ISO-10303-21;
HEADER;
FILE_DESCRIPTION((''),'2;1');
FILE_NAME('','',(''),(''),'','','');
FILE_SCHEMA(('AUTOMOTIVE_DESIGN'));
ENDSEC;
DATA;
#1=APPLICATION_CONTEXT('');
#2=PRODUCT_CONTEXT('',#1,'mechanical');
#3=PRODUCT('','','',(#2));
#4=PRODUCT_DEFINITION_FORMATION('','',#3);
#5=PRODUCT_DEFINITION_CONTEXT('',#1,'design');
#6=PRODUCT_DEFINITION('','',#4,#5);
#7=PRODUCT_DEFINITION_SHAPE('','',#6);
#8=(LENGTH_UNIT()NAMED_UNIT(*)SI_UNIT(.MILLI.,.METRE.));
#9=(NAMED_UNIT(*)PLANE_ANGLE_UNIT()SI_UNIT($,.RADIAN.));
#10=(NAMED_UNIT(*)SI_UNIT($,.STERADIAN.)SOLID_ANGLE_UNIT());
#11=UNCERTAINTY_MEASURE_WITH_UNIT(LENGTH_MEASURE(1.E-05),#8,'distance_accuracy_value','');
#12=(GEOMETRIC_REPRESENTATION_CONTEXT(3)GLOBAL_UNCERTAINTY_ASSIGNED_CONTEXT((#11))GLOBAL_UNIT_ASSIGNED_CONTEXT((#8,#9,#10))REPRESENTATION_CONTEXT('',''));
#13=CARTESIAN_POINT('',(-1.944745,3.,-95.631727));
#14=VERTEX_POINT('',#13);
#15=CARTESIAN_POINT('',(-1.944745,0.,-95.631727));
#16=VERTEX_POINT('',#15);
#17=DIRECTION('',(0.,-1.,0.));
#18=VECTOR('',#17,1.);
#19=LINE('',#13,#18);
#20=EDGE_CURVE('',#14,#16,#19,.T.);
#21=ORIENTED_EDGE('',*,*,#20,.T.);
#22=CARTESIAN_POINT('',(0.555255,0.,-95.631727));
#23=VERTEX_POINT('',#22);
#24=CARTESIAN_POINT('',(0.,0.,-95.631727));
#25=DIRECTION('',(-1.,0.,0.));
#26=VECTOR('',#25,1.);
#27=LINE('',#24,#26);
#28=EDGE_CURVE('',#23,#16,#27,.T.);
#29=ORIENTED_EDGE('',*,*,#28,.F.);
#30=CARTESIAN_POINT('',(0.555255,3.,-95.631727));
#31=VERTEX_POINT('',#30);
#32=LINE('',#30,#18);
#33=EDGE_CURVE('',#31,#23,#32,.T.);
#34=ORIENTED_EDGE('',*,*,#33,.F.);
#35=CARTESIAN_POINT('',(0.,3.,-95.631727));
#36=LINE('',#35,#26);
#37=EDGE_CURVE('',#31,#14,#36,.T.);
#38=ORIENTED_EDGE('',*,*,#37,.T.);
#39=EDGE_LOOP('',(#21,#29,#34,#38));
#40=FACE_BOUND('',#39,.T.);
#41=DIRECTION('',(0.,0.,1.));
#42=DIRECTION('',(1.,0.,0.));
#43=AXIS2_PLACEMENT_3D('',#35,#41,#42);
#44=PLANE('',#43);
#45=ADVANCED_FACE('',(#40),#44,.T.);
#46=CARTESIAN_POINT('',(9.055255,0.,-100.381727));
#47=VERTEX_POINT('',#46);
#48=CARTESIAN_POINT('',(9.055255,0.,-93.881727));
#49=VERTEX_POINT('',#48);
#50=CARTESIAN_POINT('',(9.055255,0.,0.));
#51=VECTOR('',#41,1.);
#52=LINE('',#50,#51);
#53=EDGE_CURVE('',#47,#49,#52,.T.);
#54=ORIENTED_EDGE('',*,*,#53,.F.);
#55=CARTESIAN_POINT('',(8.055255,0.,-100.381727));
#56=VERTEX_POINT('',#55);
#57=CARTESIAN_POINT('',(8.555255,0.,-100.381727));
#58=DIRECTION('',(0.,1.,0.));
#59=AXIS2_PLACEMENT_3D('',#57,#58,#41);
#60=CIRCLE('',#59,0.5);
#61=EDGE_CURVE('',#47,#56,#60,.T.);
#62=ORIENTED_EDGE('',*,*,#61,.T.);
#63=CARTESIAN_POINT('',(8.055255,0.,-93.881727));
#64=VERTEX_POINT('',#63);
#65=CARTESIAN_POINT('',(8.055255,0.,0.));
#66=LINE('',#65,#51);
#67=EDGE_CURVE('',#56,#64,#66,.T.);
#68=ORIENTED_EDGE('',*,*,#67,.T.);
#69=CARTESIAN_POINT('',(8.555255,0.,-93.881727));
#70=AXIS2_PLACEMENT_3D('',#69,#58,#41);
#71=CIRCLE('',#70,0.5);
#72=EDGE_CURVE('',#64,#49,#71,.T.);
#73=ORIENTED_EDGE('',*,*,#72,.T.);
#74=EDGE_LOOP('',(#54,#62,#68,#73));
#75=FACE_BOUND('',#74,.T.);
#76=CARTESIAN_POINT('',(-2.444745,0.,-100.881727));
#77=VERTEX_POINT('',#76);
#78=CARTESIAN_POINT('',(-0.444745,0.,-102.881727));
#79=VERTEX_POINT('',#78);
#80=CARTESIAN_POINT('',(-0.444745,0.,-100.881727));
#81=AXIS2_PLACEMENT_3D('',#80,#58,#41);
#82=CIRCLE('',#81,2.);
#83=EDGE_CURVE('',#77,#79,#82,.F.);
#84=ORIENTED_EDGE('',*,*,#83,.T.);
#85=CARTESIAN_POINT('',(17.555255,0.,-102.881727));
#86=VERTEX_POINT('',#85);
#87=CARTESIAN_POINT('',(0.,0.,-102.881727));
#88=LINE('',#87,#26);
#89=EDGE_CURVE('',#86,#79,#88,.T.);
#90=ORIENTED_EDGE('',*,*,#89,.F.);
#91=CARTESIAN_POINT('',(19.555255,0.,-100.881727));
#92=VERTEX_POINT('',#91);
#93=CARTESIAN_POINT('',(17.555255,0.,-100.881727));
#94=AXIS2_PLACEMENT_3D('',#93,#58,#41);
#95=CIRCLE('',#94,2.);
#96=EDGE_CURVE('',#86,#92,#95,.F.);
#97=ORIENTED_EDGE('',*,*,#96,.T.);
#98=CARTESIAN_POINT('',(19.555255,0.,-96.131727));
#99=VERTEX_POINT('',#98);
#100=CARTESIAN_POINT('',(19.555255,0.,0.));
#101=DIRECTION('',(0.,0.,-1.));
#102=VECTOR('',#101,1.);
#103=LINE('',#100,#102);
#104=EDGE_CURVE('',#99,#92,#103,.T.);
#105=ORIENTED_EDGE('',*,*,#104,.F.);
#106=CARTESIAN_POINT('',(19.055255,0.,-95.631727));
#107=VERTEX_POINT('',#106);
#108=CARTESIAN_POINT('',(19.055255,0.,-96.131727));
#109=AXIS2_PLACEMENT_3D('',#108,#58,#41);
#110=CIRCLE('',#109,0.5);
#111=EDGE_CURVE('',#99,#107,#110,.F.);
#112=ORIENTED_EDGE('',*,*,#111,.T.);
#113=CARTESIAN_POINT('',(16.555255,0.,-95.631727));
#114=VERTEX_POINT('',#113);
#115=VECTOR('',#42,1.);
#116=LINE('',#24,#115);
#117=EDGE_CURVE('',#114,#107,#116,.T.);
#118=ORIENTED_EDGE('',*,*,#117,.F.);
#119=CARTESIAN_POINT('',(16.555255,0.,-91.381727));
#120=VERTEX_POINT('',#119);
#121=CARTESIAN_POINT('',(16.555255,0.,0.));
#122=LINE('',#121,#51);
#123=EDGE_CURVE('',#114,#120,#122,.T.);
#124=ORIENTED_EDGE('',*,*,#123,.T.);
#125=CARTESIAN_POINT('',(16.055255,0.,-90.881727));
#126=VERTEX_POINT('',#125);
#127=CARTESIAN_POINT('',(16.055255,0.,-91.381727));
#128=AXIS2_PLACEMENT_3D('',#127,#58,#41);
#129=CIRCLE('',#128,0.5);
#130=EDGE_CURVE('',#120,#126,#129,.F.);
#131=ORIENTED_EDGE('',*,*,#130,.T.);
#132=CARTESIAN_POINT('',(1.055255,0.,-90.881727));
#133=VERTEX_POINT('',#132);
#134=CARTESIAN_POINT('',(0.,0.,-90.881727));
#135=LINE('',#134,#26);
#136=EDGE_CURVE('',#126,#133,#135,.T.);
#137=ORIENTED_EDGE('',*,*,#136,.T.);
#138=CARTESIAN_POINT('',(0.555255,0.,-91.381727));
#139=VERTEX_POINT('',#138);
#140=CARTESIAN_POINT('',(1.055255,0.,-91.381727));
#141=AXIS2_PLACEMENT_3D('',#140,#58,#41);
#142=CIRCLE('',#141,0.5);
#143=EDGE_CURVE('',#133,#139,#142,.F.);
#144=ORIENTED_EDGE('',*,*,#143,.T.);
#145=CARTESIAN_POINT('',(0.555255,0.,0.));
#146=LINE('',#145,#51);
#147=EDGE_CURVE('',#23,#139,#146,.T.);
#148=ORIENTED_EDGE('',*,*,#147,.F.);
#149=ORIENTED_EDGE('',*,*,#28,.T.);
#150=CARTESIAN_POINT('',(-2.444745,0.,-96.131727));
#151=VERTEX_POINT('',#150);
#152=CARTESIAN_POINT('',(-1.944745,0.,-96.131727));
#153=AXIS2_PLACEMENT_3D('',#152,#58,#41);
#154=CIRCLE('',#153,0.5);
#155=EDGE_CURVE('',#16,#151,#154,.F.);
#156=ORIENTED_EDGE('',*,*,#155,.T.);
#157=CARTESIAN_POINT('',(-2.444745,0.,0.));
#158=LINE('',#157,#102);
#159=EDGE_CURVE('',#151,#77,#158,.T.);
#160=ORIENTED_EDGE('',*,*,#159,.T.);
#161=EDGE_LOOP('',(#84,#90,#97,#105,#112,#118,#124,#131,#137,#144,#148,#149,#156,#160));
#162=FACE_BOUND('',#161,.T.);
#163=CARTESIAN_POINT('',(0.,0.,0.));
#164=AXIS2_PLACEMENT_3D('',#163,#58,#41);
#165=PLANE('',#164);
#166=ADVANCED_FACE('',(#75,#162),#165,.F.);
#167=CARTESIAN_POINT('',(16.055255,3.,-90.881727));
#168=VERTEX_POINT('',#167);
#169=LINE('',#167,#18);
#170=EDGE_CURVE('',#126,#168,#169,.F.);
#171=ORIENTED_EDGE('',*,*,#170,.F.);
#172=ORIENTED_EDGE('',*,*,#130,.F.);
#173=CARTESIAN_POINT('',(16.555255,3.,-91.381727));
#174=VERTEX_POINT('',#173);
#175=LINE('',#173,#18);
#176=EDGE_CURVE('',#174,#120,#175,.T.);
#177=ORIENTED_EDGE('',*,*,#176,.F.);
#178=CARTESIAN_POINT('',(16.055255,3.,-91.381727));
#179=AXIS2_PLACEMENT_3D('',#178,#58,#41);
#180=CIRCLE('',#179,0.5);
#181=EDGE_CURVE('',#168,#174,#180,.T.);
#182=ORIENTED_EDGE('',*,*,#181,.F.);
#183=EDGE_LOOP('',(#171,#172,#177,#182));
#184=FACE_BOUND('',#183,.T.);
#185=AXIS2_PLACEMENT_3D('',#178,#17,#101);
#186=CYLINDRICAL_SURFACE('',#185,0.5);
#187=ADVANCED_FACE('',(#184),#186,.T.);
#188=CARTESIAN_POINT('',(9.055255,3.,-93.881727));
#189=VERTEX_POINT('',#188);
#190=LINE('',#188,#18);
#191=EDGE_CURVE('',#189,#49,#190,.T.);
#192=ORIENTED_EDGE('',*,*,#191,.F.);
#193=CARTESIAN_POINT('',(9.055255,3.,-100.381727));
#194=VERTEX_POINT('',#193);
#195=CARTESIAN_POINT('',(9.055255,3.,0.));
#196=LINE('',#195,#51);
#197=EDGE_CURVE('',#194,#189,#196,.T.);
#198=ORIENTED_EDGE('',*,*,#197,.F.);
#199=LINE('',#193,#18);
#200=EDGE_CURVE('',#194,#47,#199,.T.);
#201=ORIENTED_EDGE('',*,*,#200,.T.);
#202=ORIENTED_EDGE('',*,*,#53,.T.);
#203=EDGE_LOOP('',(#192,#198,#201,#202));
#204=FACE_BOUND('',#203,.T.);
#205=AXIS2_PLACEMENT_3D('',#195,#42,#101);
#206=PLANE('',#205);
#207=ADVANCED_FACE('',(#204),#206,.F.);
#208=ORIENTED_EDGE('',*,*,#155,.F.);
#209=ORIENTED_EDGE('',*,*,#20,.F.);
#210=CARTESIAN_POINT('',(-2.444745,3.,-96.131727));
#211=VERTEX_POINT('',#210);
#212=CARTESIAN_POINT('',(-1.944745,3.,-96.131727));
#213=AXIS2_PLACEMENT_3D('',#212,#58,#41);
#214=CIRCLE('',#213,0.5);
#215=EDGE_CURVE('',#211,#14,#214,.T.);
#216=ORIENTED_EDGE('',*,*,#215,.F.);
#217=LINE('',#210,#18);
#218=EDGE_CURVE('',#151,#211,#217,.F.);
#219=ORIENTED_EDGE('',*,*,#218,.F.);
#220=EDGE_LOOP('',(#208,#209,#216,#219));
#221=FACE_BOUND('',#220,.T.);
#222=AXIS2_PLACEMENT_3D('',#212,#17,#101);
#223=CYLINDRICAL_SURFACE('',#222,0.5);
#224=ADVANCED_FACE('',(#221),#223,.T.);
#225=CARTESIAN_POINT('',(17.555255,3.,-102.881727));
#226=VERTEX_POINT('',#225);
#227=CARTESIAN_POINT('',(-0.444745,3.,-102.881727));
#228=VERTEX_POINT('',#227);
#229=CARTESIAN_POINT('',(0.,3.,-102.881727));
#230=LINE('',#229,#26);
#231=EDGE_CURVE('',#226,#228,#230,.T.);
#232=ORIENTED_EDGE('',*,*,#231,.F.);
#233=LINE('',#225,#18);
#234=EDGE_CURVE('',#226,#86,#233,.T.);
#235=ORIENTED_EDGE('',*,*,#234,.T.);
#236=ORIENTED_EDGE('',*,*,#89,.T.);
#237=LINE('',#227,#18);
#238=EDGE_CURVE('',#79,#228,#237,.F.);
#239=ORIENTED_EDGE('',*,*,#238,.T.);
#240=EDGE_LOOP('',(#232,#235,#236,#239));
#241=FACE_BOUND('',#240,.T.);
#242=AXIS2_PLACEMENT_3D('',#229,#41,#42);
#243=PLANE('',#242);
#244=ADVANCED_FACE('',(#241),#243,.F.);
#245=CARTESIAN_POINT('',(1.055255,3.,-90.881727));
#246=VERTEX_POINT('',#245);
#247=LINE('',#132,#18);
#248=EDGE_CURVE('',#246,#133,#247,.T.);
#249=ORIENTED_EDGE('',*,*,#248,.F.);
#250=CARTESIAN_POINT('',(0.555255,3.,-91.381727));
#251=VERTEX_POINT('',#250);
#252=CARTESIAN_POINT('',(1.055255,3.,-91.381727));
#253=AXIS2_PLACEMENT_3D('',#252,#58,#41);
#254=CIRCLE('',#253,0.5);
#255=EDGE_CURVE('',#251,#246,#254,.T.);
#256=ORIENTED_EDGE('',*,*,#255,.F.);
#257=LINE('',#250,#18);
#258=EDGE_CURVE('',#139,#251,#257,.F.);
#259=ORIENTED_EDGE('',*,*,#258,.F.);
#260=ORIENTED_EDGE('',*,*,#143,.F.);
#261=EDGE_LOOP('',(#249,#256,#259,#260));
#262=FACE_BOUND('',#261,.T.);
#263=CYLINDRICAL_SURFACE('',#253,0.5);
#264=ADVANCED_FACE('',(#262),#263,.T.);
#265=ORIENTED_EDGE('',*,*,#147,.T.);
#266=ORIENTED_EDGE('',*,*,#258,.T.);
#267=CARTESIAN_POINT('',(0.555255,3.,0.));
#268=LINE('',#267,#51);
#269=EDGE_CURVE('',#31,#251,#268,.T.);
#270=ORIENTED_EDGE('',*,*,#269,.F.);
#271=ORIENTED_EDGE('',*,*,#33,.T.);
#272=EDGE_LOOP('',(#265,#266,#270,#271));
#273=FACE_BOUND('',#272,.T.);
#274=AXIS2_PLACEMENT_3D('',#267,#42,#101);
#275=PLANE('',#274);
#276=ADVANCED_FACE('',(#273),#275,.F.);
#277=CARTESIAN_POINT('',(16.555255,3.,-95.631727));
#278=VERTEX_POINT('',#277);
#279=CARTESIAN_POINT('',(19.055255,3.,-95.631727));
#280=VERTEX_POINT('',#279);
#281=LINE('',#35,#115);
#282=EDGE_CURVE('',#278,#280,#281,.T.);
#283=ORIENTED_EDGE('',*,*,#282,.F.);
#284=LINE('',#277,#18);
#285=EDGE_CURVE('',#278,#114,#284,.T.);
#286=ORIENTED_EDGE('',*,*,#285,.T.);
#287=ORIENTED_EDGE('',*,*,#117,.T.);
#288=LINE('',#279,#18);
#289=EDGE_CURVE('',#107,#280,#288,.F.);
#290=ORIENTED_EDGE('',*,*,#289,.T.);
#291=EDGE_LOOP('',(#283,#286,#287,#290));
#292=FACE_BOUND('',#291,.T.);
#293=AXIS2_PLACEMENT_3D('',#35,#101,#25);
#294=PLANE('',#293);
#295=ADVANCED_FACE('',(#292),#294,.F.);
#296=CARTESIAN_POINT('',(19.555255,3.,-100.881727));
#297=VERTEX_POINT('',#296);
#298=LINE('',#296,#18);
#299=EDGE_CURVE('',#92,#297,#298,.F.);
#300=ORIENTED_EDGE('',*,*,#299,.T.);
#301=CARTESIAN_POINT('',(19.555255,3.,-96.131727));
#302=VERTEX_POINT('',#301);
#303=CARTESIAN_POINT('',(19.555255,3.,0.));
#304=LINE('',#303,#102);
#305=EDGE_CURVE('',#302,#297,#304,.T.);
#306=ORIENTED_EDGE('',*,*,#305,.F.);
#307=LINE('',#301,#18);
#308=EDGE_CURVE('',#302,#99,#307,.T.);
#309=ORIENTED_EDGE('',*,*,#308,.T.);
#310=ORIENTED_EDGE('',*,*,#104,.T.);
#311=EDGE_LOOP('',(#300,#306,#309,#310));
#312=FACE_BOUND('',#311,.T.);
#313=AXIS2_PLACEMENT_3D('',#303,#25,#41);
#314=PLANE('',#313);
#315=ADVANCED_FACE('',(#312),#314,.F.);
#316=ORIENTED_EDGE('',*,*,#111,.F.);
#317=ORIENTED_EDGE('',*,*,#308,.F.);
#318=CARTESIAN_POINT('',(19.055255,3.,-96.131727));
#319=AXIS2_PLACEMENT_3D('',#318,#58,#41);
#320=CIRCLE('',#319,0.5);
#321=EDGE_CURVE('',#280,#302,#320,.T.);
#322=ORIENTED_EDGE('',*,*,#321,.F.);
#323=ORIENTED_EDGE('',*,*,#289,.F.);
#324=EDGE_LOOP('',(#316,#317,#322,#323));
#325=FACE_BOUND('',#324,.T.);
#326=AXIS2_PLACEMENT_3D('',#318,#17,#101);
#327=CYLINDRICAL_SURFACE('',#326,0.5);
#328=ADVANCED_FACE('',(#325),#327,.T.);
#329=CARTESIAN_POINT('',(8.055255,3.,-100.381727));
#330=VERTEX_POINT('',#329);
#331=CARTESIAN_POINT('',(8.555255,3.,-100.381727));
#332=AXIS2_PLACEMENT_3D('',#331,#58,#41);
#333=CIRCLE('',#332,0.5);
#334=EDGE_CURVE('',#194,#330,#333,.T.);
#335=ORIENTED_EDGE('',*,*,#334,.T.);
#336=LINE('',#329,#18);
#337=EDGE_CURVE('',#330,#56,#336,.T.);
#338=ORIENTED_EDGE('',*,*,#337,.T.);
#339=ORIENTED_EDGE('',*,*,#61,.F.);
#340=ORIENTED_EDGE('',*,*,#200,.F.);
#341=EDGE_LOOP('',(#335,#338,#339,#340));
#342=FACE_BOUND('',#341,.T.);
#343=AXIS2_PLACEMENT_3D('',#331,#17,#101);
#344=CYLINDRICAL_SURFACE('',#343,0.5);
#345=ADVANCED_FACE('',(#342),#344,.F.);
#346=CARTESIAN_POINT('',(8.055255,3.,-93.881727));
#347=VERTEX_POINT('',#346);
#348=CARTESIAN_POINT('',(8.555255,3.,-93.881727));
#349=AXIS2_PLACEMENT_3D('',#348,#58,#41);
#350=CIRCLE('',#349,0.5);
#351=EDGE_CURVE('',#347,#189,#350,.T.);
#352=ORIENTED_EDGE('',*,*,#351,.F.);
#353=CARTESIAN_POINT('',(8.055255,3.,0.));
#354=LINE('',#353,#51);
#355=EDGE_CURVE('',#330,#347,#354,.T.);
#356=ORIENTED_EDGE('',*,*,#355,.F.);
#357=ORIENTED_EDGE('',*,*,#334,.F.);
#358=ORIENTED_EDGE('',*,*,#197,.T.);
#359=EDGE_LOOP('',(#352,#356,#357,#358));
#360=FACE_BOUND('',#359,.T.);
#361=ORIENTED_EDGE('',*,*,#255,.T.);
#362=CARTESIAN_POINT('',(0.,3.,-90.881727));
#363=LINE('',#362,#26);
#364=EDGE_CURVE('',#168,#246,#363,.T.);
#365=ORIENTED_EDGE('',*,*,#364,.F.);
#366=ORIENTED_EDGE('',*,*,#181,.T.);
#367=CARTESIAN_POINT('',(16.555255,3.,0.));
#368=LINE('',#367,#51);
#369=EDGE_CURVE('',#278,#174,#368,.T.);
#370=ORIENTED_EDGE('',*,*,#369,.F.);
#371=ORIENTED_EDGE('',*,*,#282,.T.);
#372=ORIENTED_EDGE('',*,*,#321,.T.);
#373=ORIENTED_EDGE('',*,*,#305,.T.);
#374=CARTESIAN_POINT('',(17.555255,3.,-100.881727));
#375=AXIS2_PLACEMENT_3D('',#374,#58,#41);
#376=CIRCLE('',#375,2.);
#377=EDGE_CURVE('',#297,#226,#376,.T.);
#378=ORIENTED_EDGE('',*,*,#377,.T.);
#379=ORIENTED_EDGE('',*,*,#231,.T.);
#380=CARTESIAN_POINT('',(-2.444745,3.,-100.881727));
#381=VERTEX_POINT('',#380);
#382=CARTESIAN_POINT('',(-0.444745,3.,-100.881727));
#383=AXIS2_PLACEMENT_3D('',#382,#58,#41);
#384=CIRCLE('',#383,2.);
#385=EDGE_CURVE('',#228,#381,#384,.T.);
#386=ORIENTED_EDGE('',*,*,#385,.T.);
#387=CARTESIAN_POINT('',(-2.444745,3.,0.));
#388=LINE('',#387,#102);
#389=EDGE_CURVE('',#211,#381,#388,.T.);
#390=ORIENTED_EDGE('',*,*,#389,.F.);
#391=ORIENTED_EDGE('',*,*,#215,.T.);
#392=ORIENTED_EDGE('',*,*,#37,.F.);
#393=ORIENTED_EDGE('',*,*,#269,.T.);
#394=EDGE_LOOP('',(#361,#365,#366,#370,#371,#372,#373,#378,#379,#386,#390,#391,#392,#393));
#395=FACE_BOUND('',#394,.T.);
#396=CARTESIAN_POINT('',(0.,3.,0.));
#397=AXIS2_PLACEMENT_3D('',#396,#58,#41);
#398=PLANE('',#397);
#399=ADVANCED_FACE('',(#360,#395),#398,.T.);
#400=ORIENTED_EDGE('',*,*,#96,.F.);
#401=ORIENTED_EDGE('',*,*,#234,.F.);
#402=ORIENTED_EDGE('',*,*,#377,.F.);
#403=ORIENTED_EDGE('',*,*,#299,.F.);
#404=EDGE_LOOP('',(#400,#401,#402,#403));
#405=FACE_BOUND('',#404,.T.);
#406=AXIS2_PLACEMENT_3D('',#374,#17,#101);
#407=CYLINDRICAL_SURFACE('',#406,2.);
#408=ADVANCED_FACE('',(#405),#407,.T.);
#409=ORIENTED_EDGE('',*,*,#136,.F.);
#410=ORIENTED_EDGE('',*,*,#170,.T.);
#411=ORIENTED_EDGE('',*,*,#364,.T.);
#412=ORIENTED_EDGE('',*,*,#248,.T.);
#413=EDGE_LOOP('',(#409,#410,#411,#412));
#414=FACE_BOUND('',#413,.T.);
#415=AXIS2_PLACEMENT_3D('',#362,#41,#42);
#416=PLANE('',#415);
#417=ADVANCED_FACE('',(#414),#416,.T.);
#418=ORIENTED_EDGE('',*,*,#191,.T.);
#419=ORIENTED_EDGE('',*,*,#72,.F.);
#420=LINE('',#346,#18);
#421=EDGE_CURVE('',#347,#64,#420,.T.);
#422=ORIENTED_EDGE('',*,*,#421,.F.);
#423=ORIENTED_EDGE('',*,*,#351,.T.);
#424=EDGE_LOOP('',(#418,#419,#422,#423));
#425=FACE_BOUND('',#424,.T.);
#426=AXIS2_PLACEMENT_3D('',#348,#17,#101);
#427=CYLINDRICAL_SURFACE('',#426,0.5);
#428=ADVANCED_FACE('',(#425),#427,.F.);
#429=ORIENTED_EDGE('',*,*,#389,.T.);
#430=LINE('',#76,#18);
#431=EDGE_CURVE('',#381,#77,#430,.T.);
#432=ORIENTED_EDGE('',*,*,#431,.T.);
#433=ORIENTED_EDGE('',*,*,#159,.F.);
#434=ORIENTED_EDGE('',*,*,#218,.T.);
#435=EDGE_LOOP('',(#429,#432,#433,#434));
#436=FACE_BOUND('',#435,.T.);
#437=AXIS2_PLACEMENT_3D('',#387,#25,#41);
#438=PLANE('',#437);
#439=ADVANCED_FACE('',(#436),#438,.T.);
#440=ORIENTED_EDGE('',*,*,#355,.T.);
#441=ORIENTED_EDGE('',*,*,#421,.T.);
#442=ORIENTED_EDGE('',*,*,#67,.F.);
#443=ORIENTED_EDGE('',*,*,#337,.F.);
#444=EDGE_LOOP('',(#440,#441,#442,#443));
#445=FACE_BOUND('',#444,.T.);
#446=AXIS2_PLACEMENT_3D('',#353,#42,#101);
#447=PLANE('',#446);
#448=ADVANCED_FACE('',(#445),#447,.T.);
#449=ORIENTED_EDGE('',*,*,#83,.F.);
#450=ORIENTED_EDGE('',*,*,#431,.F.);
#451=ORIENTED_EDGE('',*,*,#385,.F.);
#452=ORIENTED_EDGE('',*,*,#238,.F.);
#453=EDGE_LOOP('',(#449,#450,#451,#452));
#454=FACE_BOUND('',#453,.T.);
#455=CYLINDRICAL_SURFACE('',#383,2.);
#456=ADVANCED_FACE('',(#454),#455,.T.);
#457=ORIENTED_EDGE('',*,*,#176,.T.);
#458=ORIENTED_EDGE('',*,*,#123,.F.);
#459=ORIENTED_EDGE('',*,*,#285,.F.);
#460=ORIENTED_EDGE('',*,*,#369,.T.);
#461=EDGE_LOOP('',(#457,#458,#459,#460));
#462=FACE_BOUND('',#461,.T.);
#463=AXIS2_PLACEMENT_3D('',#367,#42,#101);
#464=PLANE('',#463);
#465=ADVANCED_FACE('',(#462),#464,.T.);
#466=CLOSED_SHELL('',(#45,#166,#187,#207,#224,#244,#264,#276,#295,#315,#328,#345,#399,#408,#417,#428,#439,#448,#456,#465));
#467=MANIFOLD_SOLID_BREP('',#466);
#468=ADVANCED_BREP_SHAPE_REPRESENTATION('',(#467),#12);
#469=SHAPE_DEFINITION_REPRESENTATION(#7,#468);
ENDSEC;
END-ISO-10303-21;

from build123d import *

# Parameters (mm, degrees)
BOSS_EXTRUDE1_DEPTH = 3
FILLET1_R           = 2
FILLET2_R           = 0.5


with BuildPart() as part:
    # Sketch1 → Boss-Extrude1 (new body)
    with BuildSketch(Plane(origin=(0, 0, 0), x_dir=(1, 0, 0), z_dir=(0, 1, 0))):
        Polygon((0.555255475, 90.8817274), (16.555255475, 90.8817274), (16.555255475, 95.6317274), (19.555255475, 95.6317274), (19.555255475, 102.8817274), (-2.444744525, 102.8817274), (-2.444744525, 95.6317274), (0.555255475, 95.6317274), align=None)
        with BuildLine():
            ThreePointArc((8.055255475, 100.3817274), (8.555255475, 100.8817274), (9.055255475, 100.3817274))
            Line((9.055255475, 100.3817274), (9.055255475, 93.8817274))
            ThreePointArc((9.055255475, 93.8817274), (8.555255475, 93.3817274), (8.055255475, 93.8817274))
            Line((8.055255475, 93.8817274), (8.055255475, 100.3817274))
        make_face(mode=Mode.SUBTRACT)
    extrude(amount=BOSS_EXTRUDE1_DEPTH)

    # Fillet1
    fillet1_edges = [part.edges().sort_by_distance(p)[0] for p in [
        (-2.444744525, 1.5, -102.8817274),
        (19.555255475, 1.5, -102.8817274),
    ]]
    fillet(fillet1_edges, radius=FILLET1_R)

    # Fillet2
    fillet2_edges = [part.edges().sort_by_distance(p)[0] for p in [
        (-2.444744525, 1.5, -95.6317274),
        (19.555255475, 1.5, -95.6317274),
        (16.555255475, 1.5, -90.8817274),
        (0.555255475, 1.5, -90.8817274),
    ]]
    fillet(fillet2_edges, radius=FILLET2_R)


solid = part.part
